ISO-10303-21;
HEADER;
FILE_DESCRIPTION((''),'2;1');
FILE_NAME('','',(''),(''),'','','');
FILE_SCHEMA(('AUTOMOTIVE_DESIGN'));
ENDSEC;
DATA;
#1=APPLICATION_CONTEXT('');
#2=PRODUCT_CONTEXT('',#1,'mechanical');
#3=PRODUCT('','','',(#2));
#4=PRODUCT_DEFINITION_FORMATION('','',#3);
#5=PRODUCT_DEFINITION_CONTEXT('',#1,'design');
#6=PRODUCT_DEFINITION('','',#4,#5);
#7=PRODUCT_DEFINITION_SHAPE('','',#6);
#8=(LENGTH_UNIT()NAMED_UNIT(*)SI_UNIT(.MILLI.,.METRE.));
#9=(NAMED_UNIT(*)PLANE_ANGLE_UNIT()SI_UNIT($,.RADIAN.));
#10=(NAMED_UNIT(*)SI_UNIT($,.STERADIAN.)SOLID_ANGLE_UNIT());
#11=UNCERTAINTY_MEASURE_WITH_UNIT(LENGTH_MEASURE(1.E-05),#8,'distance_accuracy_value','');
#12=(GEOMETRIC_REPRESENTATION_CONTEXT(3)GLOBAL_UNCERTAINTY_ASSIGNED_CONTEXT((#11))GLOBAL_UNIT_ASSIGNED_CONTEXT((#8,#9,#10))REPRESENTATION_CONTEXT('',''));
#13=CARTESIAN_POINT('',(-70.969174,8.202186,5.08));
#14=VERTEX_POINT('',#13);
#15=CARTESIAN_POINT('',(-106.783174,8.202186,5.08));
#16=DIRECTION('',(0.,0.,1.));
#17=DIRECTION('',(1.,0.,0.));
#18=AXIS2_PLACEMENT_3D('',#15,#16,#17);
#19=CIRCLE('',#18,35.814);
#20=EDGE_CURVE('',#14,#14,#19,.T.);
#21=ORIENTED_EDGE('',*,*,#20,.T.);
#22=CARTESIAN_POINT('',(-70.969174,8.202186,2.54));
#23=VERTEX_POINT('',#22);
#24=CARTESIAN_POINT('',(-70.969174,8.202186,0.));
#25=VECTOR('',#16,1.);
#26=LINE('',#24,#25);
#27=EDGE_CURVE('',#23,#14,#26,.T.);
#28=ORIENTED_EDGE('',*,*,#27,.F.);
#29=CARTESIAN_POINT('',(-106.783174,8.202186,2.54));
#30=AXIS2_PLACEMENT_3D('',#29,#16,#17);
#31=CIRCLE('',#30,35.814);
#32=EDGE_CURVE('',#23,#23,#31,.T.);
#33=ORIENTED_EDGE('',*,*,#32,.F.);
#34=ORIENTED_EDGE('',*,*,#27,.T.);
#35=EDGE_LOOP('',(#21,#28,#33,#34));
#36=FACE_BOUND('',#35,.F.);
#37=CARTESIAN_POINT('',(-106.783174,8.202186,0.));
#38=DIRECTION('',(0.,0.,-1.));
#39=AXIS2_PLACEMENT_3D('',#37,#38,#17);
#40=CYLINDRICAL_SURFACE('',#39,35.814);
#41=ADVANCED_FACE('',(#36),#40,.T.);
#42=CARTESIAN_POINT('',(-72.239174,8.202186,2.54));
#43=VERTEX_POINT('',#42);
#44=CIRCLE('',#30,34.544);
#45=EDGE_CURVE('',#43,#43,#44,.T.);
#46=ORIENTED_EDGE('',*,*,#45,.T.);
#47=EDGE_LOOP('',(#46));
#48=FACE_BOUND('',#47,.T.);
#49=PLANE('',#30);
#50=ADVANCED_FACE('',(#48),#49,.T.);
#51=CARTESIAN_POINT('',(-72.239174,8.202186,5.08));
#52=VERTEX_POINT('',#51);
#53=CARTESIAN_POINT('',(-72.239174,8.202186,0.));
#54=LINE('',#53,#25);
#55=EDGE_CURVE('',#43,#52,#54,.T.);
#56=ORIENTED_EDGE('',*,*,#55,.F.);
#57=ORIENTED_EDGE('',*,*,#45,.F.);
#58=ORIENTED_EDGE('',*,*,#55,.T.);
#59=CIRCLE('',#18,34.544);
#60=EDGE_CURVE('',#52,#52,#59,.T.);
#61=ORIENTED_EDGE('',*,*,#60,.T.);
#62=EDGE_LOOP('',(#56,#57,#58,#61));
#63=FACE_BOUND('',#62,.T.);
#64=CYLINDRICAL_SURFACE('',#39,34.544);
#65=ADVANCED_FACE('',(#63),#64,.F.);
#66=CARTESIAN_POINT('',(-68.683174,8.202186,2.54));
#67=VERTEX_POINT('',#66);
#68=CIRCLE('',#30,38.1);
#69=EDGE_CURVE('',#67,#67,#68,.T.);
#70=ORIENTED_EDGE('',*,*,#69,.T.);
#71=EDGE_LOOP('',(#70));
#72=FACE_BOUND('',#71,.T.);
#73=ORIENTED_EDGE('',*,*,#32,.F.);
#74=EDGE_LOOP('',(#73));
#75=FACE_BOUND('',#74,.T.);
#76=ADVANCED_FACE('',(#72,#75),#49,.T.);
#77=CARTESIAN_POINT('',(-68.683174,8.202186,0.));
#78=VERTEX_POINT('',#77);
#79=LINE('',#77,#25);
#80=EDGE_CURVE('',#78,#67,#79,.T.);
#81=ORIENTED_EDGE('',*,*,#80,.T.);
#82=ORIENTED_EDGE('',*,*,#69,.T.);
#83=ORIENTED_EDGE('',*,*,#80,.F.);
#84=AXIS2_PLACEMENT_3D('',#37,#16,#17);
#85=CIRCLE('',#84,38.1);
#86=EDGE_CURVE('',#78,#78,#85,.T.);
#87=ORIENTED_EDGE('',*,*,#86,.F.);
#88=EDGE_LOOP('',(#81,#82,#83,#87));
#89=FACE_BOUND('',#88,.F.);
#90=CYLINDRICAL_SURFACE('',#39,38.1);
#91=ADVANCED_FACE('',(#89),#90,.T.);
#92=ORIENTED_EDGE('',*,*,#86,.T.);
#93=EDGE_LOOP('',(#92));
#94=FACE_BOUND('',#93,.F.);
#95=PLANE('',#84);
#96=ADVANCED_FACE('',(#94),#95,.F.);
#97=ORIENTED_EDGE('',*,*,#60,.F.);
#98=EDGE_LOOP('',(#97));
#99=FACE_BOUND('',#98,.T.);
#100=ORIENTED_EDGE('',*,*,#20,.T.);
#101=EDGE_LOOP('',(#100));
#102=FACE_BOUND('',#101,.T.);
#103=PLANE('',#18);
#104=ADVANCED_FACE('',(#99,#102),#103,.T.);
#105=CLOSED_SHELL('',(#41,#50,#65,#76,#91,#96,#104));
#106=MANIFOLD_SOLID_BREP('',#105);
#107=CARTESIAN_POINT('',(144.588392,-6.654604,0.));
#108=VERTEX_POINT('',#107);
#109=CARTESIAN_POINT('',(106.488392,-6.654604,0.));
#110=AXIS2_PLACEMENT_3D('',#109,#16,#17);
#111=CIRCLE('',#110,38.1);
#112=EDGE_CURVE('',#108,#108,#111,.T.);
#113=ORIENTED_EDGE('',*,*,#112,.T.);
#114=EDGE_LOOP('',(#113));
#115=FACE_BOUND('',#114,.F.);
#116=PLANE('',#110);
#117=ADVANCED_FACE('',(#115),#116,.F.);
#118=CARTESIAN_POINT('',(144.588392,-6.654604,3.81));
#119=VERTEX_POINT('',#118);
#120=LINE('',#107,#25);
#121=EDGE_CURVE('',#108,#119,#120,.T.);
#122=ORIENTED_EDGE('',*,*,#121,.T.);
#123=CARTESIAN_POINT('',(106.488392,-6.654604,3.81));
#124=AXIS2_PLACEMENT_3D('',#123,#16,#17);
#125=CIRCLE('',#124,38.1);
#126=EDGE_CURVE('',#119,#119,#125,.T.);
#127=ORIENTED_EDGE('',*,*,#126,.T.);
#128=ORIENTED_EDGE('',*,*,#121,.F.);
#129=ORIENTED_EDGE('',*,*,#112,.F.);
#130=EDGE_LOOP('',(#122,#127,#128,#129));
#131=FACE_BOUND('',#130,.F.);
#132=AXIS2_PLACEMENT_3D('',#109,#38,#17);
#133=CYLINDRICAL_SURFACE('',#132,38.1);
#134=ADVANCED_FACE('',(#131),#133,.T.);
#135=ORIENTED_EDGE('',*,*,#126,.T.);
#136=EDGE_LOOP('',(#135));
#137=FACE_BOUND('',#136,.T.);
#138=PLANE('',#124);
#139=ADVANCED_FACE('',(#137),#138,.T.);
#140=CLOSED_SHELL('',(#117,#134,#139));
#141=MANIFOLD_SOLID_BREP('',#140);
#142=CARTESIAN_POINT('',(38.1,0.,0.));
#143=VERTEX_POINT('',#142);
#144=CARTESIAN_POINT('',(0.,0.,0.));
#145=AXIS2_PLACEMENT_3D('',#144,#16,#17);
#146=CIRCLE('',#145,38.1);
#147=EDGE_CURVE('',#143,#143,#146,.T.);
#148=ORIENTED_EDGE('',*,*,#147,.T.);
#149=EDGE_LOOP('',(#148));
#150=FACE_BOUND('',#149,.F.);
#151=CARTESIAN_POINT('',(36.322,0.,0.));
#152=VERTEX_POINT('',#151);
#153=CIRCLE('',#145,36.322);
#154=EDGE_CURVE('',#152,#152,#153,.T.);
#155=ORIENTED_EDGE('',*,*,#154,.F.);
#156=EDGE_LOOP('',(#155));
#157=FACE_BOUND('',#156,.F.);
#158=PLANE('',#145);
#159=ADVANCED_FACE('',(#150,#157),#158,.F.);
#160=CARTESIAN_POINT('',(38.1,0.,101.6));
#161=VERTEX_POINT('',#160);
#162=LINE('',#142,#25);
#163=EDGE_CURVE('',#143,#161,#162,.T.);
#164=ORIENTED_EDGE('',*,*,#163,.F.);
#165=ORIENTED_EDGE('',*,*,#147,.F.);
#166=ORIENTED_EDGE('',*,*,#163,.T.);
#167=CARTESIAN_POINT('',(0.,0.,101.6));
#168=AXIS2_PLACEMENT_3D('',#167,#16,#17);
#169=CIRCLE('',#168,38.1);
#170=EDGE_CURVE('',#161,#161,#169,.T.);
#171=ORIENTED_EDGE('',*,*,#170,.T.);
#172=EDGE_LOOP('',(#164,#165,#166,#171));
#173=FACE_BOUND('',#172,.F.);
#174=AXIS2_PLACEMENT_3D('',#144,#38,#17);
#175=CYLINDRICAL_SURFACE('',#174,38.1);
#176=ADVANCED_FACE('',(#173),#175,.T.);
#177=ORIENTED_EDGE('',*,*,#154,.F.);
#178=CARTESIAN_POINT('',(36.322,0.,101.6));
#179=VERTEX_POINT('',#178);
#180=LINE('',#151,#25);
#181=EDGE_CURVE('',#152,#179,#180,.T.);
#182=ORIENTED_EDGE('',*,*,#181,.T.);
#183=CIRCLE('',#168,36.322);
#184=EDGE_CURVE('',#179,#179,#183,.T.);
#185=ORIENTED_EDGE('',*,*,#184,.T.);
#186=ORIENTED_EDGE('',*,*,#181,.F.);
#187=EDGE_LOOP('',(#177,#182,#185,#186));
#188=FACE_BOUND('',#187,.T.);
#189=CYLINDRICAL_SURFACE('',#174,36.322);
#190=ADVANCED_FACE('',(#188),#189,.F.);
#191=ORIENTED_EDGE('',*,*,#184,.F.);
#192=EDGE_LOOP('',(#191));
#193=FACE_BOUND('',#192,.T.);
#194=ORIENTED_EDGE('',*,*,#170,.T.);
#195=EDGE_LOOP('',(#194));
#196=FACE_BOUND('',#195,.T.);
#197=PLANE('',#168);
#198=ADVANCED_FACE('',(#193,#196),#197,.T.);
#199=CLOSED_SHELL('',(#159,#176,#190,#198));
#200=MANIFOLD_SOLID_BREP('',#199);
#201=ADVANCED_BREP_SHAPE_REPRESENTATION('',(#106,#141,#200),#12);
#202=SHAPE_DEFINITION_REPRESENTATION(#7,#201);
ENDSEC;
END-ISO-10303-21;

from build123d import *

# Parameters (mm, degrees)
F0_R     = 38.1
F0_R_2   = 36.322
F1_DEPTH = 101.6
F2_R     = 38.1
F2_R_2   = 35.814
F3_DEPTH = 2.54
F2_R_3   = 34.544
F4_DEPTH = 5.08
F5_DEPTH = 2.54
F6_R     = 38.1
F7_DEPTH = 3.81


with BuildPart() as f1:
    # F0 (on Top) → F1 (new body)
    with BuildSketch(Plane.XY):
        Circle(F0_R)
        Circle(F0_R_2, mode=Mode.SUBTRACT)
    extrude(amount=F1_DEPTH)


with BuildPart() as f3:
    # F2 (on Top) → F3 (new body)
    with BuildSketch(Plane.XY):
        with Locations((-106.783174, 8.202186)):
            Circle(F2_R)
        with Locations((-106.783174, 8.202186)):
            Circle(F2_R_2, mode=Mode.SUBTRACT)
    extrude(amount=F3_DEPTH)

    # F2 (on Top) → F4 (join)
    with BuildSketch(Plane.XY):
        with Locations((-106.783174, 8.202186)):
            Circle(F2_R_2)
        with Locations((-106.783174, 8.202186)):
            Circle(F2_R_3, mode=Mode.SUBTRACT)
    extrude(amount=F4_DEPTH)

    # F2 (on Top) → F5 (join)
    with BuildSketch(Plane.XY):
        with Locations((-106.783174, 8.202186)):
            Circle(F2_R_3)
    extrude(amount=F5_DEPTH)


with BuildPart() as f7:
    # F6 (on Top) → F7 (new body)
    with BuildSketch(Plane.XY):
        with Locations((106.488392, -6.654604)):
            Circle(F6_R)
    extrude(amount=F7_DEPTH)


solid = Compound([f1.part, f3.part, f7.part])
